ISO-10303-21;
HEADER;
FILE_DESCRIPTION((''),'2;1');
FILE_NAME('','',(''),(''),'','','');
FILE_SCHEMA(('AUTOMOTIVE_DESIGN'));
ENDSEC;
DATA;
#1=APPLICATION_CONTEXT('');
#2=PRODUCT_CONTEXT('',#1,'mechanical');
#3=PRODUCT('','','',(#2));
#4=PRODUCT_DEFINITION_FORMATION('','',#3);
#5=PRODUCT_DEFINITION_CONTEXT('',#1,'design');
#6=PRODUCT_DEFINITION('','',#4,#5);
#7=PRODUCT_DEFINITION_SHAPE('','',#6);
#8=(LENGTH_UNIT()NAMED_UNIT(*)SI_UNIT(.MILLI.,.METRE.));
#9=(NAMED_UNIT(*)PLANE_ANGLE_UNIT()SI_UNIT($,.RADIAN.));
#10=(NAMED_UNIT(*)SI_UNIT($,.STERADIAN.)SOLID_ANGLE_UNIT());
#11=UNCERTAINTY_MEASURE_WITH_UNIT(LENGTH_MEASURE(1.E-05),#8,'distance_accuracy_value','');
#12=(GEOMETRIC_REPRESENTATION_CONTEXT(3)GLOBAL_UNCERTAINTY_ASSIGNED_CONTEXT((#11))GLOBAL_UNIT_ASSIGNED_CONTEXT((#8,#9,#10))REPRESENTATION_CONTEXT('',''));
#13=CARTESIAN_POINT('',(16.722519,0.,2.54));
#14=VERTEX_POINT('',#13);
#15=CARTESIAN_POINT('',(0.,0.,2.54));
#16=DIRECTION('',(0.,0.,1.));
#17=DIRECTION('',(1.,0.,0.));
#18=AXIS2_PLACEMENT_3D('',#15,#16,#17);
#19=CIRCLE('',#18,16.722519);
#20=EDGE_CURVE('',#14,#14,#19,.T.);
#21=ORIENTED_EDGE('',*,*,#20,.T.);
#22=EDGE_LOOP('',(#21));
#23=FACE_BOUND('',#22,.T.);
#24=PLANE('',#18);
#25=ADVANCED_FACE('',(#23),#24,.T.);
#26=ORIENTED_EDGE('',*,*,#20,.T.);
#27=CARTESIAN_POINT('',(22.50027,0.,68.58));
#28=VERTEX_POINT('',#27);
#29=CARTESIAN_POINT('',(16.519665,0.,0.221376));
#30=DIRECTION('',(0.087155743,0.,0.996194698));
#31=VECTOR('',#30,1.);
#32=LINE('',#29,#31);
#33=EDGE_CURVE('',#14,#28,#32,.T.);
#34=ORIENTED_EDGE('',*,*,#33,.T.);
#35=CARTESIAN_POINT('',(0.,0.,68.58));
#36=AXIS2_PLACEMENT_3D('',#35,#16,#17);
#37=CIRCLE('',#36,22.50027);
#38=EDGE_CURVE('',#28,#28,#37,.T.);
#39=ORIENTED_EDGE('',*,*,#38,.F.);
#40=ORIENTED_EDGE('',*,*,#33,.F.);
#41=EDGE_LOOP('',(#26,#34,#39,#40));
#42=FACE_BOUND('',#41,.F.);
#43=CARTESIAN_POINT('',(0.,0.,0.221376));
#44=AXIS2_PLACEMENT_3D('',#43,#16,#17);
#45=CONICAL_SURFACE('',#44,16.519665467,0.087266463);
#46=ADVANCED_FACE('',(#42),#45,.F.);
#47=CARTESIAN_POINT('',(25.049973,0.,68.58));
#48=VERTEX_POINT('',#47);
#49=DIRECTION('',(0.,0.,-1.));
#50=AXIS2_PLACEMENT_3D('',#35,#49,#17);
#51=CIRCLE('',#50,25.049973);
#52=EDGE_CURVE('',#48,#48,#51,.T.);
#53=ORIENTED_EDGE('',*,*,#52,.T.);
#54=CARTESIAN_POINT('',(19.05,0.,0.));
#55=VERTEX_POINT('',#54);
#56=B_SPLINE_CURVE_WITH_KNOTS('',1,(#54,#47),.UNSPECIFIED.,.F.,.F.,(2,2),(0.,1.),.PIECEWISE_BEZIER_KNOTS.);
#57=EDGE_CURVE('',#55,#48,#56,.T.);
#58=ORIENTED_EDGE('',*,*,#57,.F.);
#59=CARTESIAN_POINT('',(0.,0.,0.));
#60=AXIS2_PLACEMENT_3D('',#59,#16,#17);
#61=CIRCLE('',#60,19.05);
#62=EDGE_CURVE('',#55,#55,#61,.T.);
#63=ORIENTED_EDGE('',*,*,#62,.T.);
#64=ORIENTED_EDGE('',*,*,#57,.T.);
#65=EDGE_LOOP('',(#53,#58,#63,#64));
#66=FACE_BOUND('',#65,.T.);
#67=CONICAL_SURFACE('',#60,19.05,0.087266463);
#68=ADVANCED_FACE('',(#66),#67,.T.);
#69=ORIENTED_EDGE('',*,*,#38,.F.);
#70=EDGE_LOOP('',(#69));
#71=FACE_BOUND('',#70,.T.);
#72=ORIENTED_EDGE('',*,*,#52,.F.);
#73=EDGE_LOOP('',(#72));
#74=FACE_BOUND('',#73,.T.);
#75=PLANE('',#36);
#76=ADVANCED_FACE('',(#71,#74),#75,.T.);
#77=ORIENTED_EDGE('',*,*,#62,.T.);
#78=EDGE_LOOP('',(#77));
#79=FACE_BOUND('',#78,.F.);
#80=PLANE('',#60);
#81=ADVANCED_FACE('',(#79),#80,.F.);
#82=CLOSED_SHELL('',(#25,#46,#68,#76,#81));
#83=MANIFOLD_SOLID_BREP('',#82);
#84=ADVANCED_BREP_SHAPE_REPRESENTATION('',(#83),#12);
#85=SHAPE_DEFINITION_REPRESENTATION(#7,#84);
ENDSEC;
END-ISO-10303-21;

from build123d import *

# Parameters (mm, degrees)
F0_R     = 19.05
F1_DEPTH = 68.58
F1_TAPER = -5
F2_T     = -2.54


with BuildPart() as f1:
    # F0 (on Top) → F1 (new body)
    with BuildSketch(Plane.XY):
        Circle(F0_R)
    extrude(amount=F1_DEPTH, taper=F1_TAPER)

    # F2
    f2_openings = [f1.faces().sort_by_distance(p)[0] for p in [
        (0, 0, 68.58),
    ]]
    offset(amount=F2_T, openings=f2_openings, kind=Kind.INTERSECTION)


solid = f1.part
